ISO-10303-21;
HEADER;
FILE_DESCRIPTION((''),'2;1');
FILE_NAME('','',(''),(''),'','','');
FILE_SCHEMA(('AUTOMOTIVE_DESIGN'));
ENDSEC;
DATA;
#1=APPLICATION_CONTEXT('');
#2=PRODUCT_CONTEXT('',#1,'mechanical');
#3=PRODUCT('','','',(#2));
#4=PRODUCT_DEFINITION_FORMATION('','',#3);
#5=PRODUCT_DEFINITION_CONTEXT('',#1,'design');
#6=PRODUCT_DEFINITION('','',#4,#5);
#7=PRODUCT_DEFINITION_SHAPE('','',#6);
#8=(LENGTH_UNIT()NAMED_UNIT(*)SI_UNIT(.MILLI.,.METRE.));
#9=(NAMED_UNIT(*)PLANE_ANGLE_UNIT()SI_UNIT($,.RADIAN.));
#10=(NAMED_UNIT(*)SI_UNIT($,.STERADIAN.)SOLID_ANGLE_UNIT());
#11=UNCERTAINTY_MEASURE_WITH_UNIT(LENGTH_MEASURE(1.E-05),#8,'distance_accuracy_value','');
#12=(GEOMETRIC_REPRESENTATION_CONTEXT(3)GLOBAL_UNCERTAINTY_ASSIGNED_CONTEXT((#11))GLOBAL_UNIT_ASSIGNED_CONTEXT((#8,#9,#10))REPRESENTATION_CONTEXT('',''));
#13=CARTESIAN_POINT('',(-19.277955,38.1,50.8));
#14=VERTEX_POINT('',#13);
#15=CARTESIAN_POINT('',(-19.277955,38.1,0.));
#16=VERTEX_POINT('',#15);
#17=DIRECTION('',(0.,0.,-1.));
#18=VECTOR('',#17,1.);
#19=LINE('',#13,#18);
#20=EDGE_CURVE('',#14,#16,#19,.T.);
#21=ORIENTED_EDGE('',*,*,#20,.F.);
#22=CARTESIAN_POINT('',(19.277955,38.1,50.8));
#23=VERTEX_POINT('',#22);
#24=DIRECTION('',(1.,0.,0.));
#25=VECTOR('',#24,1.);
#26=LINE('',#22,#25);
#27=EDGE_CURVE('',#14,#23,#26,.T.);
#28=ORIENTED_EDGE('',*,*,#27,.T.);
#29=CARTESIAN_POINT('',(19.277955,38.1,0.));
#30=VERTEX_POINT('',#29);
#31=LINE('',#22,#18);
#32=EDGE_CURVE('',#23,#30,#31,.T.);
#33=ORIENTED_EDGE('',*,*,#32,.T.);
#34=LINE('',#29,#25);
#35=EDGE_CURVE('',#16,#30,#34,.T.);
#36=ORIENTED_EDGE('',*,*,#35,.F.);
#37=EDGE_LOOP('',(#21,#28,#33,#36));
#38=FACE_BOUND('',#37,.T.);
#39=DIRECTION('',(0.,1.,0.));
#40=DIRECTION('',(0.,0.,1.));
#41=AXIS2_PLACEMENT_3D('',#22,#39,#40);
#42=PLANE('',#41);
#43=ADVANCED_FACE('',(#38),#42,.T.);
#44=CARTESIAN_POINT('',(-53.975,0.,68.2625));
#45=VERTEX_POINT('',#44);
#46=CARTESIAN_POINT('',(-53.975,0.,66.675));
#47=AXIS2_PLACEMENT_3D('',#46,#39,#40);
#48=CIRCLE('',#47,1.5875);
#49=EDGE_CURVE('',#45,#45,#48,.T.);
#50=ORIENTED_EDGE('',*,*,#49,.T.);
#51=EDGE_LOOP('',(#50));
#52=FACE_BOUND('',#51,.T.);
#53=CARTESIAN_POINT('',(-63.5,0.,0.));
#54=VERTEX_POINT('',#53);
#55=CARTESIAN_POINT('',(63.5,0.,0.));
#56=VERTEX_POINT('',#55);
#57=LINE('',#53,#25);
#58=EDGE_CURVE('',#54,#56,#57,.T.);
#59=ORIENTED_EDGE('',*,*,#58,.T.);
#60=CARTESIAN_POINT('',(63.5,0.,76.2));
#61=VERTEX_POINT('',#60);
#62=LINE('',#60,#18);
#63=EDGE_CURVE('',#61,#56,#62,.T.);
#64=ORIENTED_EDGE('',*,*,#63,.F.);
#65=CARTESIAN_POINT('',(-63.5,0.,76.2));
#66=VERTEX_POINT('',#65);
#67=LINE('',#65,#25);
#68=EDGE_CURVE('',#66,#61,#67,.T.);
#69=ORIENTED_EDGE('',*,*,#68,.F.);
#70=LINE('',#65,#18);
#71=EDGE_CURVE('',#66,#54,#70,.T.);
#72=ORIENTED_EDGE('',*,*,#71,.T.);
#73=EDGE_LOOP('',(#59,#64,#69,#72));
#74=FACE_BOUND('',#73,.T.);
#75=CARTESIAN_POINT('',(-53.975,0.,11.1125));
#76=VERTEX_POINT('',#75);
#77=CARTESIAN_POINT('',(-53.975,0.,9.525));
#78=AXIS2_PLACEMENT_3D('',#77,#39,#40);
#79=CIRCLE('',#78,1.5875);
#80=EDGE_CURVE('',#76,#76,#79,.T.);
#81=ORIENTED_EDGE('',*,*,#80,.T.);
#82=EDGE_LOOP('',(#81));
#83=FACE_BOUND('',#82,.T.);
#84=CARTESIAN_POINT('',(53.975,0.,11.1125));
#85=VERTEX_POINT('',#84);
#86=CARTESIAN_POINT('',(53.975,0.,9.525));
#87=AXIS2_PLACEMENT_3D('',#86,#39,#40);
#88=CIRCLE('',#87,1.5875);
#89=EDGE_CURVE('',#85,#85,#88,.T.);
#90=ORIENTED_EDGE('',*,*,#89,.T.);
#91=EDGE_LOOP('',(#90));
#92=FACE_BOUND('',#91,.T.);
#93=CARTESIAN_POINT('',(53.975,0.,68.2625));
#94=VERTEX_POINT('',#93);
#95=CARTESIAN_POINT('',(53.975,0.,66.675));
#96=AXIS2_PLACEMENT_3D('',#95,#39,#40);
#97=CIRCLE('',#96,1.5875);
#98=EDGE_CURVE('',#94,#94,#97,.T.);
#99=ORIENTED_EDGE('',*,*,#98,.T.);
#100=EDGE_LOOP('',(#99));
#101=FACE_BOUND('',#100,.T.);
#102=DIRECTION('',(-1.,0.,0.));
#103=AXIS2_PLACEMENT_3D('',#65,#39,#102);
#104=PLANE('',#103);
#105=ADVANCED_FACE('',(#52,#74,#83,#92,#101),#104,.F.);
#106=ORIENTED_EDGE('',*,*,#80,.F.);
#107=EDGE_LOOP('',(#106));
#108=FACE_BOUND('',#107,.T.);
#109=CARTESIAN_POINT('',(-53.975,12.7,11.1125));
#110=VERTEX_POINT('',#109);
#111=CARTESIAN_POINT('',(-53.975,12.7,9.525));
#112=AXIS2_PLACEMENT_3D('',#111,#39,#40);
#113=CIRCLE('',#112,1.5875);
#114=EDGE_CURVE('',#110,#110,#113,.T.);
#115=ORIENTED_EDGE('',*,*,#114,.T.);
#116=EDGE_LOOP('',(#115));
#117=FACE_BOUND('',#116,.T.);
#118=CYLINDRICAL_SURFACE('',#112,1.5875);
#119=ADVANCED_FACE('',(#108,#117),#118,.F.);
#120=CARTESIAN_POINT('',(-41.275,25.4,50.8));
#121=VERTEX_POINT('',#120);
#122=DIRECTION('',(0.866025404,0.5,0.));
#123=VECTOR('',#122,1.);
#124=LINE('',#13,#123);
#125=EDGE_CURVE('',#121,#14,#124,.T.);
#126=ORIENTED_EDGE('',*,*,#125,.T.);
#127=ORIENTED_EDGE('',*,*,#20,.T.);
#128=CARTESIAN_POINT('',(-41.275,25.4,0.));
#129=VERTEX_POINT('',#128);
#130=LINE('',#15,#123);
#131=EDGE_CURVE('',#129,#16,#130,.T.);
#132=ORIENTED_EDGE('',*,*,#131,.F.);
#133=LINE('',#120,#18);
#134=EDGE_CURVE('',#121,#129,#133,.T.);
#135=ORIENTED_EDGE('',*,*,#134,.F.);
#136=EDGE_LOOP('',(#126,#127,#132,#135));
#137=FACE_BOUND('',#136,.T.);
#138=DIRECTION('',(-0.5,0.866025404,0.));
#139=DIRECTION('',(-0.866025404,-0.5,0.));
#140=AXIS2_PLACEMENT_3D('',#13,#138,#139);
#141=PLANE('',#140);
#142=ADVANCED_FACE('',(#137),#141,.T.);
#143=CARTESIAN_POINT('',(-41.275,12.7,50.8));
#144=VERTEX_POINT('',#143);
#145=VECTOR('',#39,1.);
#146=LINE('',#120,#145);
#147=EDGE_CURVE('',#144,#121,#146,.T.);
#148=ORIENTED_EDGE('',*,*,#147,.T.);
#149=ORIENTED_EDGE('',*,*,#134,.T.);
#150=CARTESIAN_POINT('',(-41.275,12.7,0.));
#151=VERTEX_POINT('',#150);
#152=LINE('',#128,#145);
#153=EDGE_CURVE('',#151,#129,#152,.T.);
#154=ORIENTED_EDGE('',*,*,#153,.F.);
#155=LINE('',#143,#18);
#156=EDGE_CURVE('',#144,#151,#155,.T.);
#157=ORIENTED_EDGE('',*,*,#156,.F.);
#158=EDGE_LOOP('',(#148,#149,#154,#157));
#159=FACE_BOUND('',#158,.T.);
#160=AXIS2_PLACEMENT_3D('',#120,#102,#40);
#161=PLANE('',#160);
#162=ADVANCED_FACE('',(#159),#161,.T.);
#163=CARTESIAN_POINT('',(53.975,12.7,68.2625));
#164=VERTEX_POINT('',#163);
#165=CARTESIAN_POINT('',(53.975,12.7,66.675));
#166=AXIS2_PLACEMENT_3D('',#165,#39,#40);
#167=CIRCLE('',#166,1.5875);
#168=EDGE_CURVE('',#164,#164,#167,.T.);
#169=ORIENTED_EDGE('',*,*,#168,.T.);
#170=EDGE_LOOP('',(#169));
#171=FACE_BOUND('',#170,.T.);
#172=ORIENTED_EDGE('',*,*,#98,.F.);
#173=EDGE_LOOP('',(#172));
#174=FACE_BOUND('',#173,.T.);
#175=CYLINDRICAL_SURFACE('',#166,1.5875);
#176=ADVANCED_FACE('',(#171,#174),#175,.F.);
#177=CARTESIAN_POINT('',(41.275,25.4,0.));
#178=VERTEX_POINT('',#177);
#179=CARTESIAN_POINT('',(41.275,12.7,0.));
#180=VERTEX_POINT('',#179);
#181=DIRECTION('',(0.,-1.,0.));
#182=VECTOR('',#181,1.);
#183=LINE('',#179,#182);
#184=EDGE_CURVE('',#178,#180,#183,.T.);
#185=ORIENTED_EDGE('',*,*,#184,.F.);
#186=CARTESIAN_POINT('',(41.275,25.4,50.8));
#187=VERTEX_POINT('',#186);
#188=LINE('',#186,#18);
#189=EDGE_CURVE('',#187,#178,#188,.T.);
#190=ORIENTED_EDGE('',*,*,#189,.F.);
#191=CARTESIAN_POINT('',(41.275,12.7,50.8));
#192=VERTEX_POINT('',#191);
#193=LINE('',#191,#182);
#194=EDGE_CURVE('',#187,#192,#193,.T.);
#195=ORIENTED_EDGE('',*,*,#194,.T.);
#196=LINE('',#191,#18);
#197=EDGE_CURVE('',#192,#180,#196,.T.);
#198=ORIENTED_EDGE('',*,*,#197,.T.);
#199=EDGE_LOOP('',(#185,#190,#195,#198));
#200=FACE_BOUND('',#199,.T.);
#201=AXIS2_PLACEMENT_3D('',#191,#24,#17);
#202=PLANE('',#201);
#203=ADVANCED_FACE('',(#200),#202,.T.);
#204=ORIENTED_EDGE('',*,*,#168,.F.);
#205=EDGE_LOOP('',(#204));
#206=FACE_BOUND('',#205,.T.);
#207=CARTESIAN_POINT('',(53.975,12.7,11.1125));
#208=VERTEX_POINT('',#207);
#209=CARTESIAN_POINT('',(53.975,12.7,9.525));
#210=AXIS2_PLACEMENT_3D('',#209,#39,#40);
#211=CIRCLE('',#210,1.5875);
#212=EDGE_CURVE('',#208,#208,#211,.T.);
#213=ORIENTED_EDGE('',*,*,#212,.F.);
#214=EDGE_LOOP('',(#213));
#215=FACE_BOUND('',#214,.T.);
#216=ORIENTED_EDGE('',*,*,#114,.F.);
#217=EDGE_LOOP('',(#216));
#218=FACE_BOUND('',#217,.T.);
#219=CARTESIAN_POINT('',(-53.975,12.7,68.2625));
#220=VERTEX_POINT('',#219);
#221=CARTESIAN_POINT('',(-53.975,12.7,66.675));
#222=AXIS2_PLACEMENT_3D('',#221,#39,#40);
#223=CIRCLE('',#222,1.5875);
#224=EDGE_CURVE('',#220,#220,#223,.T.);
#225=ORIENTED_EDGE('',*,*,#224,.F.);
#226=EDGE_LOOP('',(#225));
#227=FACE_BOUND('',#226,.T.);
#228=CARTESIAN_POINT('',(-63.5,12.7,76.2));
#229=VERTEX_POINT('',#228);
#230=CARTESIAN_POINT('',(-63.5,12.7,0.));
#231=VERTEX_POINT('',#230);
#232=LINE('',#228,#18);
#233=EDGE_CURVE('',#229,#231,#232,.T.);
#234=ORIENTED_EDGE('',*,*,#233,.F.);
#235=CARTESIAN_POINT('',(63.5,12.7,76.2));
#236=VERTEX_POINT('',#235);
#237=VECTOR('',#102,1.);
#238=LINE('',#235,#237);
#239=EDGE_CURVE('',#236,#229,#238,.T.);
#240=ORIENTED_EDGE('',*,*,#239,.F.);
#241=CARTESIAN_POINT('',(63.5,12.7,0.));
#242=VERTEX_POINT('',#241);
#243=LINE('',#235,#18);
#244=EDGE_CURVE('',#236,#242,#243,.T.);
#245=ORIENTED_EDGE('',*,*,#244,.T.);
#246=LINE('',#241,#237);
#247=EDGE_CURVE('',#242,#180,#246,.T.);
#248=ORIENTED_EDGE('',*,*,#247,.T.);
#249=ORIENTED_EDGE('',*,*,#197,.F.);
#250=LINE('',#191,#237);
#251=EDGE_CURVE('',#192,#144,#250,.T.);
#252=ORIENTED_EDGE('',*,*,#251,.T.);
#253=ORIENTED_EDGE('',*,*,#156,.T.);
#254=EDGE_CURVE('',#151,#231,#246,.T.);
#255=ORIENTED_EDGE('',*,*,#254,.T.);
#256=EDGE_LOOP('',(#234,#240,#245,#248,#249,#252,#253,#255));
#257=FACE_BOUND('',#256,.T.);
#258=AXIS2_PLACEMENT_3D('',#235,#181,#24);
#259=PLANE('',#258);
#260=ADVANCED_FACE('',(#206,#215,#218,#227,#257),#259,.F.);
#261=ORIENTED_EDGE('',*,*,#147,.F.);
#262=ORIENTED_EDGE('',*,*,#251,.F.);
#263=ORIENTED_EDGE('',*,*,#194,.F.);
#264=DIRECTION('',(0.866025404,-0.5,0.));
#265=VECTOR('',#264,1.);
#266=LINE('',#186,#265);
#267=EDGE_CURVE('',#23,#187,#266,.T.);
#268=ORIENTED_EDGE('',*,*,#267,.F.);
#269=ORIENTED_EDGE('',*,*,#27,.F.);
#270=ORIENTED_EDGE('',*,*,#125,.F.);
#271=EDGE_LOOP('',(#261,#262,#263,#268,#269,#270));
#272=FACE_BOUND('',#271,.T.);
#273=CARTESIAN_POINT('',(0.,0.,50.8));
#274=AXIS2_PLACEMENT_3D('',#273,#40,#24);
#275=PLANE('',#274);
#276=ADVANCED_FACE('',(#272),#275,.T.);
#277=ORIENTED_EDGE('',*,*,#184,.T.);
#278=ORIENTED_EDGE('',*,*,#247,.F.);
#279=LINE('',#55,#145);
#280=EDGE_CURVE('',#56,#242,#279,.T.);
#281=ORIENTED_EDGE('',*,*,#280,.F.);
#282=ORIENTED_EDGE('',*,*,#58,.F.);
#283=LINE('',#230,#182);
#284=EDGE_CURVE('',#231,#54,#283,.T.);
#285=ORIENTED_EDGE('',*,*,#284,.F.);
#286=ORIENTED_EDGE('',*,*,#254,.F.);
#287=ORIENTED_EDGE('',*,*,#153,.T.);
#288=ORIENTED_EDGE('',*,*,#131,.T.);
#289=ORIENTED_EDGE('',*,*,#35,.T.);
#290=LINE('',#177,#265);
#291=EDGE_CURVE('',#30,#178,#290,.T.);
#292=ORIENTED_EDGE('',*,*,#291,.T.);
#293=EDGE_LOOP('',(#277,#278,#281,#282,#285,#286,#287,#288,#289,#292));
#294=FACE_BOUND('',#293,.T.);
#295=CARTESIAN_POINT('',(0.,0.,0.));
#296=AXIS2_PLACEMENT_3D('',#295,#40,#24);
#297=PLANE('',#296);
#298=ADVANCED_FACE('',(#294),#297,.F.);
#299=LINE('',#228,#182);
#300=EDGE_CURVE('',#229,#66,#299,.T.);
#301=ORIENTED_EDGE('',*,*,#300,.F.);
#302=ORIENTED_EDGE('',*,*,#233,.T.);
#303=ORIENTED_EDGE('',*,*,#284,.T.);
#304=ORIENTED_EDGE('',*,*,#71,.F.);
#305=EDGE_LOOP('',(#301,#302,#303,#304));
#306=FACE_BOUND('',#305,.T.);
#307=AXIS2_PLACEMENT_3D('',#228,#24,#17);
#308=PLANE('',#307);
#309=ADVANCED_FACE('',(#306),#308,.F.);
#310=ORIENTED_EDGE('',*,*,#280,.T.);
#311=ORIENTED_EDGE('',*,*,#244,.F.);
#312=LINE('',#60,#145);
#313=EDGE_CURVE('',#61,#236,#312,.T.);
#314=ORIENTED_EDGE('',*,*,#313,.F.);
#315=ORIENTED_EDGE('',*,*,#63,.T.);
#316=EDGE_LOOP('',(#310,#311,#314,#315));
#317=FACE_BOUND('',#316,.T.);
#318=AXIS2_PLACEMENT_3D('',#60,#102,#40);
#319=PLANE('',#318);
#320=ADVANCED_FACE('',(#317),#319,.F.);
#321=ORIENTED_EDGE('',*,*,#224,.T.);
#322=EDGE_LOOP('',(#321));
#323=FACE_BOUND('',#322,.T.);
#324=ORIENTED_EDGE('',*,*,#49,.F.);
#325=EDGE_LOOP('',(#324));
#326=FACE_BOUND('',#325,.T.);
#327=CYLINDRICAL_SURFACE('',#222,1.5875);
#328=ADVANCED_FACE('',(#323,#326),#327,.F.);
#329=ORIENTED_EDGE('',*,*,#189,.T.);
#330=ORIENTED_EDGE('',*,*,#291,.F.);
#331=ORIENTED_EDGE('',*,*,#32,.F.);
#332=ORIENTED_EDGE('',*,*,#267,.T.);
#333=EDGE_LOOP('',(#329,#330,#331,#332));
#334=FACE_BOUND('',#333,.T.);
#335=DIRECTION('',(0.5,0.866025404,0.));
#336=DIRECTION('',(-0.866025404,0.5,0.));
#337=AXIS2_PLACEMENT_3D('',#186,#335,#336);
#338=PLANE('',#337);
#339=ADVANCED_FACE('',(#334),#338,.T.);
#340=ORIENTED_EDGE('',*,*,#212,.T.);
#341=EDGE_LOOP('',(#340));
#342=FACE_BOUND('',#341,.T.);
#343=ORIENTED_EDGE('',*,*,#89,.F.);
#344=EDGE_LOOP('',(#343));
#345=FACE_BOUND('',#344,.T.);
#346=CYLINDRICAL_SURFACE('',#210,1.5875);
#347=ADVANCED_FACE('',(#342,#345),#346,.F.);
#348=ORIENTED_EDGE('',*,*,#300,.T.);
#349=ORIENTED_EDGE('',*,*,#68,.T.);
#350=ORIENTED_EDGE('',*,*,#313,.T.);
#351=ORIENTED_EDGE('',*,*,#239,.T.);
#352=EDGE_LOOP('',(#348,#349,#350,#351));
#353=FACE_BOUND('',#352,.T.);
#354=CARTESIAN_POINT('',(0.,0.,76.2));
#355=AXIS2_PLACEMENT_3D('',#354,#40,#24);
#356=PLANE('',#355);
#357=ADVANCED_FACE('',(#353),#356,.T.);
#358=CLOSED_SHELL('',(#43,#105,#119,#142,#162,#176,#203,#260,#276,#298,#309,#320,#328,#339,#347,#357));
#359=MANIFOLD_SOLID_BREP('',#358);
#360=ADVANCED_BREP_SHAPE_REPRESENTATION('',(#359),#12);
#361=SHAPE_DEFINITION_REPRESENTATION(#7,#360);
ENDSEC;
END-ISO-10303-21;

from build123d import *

# Parameters (mm, degrees)
SKETCH1_W                    = 127
SKETCH1_H                    = 12.7
BOSS_EXTRUDE1_DEPTH          = 76.2
BOSS_EXTRUDE3_DEPTH          = 50.8
F_1_8_0_125_DIAMETER_HOLE1_D = 3.175


with BuildPart() as part:
    # Sketch1 → Boss-Extrude1 (new body)
    with BuildSketch(Plane.XY):
        with Locations((0, 6.35)):
            Rectangle(SKETCH1_W, SKETCH1_H)
    extrude(amount=BOSS_EXTRUDE1_DEPTH)

    # Sketch2 → Boss-Extrude3 (add)
    with BuildSketch(Plane(origin=(0, 0, 0), x_dir=(-1, 0, 0), z_dir=(0, 0, -1))):
        Polygon((-41.275, 12.7), (41.275, 12.7), (41.275, 25.4), (19.277954744, 38.1), (-19.277954744, 38.1), (-41.275, 25.4), align=None)
    extrude(amount=-BOSS_EXTRUDE3_DEPTH)

    # 1/8 (0.125) Diameter Hole1 (through all)
    with Locations(Plane(origin=(0, 12.7, 0), x_dir=(1, 0, 0), z_dir=(0, 1, 0))):
        with Locations((53.975, -9.525), (-53.975, -9.525), (-53.975, -66.675), (53.975, -66.675)):
            Hole(F_1_8_0_125_DIAMETER_HOLE1_D / 2)


solid = part.part
